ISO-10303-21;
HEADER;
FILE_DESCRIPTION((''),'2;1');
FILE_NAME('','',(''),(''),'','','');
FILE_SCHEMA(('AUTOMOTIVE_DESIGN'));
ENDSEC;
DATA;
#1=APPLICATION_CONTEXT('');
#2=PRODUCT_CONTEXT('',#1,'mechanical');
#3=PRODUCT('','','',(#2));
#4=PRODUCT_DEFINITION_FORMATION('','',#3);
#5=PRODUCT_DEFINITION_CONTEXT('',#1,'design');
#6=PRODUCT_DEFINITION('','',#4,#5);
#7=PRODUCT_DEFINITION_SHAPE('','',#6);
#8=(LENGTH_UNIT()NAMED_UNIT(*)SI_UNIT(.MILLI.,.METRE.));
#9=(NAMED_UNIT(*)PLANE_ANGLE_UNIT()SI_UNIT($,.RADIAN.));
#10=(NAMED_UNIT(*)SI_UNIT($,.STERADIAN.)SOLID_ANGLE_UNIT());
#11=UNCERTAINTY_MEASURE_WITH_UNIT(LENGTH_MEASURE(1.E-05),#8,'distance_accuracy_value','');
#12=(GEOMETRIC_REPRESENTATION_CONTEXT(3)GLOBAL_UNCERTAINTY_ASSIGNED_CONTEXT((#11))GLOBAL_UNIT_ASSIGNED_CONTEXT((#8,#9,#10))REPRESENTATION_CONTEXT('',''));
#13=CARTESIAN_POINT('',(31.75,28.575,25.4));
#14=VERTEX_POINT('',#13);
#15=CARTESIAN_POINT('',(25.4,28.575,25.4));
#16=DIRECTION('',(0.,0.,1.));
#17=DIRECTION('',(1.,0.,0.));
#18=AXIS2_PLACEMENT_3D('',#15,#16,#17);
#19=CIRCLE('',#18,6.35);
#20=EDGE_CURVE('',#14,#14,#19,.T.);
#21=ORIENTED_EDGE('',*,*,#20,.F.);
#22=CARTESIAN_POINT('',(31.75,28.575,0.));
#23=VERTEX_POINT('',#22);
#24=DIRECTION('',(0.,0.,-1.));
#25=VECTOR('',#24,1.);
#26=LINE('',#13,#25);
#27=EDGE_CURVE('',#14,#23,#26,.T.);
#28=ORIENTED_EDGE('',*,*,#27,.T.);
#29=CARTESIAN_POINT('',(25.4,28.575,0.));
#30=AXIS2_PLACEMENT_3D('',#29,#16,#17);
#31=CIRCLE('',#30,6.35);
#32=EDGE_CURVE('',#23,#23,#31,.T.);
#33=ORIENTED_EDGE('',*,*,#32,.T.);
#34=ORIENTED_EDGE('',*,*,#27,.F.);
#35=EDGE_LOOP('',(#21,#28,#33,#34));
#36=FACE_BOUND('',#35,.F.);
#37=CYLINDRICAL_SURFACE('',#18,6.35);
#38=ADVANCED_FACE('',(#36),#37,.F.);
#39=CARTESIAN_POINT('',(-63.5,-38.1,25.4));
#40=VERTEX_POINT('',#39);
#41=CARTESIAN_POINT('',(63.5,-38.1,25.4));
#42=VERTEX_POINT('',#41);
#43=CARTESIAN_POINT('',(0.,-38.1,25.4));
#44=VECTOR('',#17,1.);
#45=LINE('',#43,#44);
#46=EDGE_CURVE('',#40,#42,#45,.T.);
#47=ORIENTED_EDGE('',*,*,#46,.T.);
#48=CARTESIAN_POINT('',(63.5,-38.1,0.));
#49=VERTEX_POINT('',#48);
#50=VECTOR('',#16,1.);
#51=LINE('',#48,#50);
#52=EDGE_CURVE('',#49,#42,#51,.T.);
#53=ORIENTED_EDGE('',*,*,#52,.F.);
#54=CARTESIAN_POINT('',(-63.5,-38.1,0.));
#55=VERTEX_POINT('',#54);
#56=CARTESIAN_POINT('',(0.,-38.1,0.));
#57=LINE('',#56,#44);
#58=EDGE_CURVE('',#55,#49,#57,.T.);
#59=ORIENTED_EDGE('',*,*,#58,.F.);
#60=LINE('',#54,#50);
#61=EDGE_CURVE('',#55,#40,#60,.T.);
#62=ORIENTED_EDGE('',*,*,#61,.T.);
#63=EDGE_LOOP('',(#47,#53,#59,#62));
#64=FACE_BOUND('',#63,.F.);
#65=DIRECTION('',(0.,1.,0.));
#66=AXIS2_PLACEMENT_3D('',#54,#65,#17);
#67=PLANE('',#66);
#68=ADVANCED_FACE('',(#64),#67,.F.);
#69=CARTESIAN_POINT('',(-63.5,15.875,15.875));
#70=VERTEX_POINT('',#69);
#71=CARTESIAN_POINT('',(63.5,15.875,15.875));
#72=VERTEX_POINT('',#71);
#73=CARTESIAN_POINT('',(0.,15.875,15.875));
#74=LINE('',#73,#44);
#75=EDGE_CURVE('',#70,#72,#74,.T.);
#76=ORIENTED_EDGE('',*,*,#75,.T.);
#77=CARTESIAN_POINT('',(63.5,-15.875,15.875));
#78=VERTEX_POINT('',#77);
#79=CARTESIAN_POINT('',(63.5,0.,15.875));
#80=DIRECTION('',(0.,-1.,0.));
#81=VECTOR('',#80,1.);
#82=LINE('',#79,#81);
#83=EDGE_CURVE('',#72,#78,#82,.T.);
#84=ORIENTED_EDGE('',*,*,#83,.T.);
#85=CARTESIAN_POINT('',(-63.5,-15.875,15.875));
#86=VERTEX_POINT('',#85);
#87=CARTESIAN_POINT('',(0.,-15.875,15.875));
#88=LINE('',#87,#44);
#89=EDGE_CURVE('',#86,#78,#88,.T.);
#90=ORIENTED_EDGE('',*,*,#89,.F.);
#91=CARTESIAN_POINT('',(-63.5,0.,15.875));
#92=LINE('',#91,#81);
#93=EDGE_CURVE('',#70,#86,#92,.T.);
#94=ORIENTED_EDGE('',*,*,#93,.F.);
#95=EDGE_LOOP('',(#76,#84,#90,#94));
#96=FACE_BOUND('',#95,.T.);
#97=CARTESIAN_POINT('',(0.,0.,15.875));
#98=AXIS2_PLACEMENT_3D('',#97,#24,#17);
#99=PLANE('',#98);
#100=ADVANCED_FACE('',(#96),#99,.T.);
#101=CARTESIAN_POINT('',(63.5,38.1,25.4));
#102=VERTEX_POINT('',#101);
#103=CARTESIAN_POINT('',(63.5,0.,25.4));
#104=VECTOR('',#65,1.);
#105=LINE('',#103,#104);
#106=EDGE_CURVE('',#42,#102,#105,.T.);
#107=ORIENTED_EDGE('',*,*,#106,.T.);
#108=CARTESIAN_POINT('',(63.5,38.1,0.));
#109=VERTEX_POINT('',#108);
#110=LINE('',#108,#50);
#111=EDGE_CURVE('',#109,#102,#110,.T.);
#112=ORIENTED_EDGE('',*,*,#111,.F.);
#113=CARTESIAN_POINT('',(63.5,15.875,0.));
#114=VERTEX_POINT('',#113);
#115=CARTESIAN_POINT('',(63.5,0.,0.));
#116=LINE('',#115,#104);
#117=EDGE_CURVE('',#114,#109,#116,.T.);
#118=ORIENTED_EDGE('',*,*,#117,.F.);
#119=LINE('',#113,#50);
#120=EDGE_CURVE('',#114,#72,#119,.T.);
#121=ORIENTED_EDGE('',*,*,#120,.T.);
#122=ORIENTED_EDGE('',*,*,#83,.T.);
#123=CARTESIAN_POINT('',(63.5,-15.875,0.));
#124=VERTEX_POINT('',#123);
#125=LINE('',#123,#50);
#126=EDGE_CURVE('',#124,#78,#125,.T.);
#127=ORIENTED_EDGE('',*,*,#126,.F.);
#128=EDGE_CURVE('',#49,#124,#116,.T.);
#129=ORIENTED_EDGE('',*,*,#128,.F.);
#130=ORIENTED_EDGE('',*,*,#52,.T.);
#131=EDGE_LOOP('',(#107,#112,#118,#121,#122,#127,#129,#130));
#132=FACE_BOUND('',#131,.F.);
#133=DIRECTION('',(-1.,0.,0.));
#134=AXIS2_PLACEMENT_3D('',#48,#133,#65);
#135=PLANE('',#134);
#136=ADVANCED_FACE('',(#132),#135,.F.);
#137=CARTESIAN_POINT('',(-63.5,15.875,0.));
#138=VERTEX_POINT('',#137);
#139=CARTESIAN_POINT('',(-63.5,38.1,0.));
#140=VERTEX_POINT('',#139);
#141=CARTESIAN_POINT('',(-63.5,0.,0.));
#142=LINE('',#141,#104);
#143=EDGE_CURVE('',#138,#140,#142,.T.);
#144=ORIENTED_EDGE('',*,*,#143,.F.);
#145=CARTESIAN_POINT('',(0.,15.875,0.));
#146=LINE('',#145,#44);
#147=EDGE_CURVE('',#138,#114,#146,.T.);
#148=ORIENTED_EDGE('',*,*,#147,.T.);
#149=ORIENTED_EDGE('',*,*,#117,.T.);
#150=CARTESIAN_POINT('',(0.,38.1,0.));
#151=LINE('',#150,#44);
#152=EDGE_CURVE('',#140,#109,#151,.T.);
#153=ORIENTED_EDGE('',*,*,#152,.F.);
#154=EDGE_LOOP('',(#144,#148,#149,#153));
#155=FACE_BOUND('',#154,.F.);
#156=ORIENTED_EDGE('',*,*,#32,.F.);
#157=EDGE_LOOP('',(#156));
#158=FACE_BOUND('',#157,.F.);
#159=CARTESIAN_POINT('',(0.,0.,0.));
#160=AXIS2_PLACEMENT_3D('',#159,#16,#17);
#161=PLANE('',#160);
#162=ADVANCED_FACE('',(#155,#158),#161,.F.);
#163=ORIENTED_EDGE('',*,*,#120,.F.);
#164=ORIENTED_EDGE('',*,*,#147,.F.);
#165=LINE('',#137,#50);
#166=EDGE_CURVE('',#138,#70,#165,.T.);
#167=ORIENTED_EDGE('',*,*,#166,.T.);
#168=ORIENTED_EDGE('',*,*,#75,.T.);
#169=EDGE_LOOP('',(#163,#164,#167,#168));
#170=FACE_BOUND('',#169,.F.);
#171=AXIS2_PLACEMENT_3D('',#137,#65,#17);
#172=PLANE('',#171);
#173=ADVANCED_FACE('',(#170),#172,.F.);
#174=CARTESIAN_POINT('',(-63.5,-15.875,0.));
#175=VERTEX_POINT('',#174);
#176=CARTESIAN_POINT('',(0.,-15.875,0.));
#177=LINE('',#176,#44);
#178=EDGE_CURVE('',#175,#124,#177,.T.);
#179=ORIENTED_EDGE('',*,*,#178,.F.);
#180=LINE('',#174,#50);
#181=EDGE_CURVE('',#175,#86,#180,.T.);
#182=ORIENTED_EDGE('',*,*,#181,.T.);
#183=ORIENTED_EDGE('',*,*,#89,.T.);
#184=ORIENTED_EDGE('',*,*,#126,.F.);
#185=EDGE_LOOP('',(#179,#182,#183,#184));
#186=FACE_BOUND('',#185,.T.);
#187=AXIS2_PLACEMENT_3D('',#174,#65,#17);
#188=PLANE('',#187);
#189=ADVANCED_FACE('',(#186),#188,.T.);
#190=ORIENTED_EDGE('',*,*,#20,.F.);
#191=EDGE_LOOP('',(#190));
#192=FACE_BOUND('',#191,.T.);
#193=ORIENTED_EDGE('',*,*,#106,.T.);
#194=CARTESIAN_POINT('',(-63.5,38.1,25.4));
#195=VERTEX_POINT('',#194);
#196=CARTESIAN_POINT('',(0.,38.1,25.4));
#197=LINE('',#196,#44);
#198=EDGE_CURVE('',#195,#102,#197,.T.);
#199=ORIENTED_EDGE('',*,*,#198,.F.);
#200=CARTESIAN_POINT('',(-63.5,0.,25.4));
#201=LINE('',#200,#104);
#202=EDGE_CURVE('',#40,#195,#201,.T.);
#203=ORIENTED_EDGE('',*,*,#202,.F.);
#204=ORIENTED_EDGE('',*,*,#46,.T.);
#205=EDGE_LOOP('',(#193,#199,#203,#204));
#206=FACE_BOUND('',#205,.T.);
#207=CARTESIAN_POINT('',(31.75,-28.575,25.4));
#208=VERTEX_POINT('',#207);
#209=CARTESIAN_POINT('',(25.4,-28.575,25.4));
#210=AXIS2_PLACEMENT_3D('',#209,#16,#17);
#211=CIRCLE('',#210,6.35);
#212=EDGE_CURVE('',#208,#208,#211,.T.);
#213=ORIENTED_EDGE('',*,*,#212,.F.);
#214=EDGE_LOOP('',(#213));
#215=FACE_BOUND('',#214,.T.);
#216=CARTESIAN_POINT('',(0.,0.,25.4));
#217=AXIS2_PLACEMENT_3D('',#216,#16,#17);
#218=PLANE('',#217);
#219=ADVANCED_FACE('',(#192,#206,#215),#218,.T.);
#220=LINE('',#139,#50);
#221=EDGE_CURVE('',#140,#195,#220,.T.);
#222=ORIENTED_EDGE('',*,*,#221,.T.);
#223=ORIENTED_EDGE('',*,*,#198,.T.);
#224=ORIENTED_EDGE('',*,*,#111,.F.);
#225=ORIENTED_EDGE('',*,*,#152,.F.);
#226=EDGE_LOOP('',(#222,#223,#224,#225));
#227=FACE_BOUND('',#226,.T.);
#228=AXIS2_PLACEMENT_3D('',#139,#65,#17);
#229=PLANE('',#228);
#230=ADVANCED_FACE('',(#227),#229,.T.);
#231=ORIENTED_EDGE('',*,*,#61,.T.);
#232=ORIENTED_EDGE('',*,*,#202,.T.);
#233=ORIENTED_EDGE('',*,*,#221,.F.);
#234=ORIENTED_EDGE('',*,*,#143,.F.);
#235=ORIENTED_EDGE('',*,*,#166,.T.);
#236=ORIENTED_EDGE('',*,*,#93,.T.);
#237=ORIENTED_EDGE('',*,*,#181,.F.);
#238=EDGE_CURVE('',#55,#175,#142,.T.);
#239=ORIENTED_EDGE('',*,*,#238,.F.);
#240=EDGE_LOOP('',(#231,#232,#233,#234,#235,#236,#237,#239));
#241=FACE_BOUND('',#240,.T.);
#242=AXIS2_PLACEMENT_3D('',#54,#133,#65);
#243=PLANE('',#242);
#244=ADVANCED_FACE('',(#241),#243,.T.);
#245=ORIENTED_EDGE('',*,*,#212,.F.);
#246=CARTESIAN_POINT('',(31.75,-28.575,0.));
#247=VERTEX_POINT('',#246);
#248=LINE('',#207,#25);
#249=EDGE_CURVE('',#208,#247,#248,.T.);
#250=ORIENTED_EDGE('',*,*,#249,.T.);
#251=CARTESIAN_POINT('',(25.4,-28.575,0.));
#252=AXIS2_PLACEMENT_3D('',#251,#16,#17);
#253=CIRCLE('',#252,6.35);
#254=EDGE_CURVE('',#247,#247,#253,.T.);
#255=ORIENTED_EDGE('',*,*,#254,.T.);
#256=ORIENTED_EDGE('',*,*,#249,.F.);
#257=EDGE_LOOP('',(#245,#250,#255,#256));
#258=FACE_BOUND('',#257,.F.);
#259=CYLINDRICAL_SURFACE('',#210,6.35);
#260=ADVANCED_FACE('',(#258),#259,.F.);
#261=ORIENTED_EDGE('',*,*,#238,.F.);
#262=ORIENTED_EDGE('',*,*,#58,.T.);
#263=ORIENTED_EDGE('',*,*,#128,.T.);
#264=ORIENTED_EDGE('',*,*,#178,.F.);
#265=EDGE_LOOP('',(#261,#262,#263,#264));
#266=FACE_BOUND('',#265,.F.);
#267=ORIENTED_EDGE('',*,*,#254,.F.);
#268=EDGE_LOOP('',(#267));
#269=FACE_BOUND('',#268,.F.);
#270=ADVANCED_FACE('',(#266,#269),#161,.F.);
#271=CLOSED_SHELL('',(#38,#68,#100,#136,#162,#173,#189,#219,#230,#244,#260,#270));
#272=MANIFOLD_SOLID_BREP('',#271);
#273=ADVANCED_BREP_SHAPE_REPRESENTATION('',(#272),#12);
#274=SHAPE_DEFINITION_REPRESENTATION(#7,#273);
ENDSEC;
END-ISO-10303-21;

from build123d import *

# Parameters (mm, degrees)
F0_W     = 127
F0_H     = 76.2
F1_DEPTH = 25.4
F2_W     = 127
F2_H     = 31.75
F3_DEPTH = 15.875
F4_R     = 6.35
F5_DEPTH = 25.401


with BuildPart() as f1:
    # F0 (on Top) → F1 (new body)
    with BuildSketch(Plane.XY):
        Rectangle(F0_W, F0_H)
    extrude(amount=F1_DEPTH)

    # F2 (on face) → F3 (cut)
    with BuildSketch(Plane(origin=(0, 0, 0), x_dir=(1, 0, 0), z_dir=(0, 0, -1))):
        Rectangle(F2_W, F2_H)
    extrude(amount=-F3_DEPTH, mode=Mode.SUBTRACT)

    # F4 (on face) → F5 (cut, through all)
    with BuildSketch(Plane.XY.offset(25.4)):
        with Locations((25.4, 28.575)):
            Circle(F4_R)
        with Locations((25.4, -28.575)):
            Circle(F4_R)
    extrude(amount=-F5_DEPTH, mode=Mode.SUBTRACT)


solid = f1.part
